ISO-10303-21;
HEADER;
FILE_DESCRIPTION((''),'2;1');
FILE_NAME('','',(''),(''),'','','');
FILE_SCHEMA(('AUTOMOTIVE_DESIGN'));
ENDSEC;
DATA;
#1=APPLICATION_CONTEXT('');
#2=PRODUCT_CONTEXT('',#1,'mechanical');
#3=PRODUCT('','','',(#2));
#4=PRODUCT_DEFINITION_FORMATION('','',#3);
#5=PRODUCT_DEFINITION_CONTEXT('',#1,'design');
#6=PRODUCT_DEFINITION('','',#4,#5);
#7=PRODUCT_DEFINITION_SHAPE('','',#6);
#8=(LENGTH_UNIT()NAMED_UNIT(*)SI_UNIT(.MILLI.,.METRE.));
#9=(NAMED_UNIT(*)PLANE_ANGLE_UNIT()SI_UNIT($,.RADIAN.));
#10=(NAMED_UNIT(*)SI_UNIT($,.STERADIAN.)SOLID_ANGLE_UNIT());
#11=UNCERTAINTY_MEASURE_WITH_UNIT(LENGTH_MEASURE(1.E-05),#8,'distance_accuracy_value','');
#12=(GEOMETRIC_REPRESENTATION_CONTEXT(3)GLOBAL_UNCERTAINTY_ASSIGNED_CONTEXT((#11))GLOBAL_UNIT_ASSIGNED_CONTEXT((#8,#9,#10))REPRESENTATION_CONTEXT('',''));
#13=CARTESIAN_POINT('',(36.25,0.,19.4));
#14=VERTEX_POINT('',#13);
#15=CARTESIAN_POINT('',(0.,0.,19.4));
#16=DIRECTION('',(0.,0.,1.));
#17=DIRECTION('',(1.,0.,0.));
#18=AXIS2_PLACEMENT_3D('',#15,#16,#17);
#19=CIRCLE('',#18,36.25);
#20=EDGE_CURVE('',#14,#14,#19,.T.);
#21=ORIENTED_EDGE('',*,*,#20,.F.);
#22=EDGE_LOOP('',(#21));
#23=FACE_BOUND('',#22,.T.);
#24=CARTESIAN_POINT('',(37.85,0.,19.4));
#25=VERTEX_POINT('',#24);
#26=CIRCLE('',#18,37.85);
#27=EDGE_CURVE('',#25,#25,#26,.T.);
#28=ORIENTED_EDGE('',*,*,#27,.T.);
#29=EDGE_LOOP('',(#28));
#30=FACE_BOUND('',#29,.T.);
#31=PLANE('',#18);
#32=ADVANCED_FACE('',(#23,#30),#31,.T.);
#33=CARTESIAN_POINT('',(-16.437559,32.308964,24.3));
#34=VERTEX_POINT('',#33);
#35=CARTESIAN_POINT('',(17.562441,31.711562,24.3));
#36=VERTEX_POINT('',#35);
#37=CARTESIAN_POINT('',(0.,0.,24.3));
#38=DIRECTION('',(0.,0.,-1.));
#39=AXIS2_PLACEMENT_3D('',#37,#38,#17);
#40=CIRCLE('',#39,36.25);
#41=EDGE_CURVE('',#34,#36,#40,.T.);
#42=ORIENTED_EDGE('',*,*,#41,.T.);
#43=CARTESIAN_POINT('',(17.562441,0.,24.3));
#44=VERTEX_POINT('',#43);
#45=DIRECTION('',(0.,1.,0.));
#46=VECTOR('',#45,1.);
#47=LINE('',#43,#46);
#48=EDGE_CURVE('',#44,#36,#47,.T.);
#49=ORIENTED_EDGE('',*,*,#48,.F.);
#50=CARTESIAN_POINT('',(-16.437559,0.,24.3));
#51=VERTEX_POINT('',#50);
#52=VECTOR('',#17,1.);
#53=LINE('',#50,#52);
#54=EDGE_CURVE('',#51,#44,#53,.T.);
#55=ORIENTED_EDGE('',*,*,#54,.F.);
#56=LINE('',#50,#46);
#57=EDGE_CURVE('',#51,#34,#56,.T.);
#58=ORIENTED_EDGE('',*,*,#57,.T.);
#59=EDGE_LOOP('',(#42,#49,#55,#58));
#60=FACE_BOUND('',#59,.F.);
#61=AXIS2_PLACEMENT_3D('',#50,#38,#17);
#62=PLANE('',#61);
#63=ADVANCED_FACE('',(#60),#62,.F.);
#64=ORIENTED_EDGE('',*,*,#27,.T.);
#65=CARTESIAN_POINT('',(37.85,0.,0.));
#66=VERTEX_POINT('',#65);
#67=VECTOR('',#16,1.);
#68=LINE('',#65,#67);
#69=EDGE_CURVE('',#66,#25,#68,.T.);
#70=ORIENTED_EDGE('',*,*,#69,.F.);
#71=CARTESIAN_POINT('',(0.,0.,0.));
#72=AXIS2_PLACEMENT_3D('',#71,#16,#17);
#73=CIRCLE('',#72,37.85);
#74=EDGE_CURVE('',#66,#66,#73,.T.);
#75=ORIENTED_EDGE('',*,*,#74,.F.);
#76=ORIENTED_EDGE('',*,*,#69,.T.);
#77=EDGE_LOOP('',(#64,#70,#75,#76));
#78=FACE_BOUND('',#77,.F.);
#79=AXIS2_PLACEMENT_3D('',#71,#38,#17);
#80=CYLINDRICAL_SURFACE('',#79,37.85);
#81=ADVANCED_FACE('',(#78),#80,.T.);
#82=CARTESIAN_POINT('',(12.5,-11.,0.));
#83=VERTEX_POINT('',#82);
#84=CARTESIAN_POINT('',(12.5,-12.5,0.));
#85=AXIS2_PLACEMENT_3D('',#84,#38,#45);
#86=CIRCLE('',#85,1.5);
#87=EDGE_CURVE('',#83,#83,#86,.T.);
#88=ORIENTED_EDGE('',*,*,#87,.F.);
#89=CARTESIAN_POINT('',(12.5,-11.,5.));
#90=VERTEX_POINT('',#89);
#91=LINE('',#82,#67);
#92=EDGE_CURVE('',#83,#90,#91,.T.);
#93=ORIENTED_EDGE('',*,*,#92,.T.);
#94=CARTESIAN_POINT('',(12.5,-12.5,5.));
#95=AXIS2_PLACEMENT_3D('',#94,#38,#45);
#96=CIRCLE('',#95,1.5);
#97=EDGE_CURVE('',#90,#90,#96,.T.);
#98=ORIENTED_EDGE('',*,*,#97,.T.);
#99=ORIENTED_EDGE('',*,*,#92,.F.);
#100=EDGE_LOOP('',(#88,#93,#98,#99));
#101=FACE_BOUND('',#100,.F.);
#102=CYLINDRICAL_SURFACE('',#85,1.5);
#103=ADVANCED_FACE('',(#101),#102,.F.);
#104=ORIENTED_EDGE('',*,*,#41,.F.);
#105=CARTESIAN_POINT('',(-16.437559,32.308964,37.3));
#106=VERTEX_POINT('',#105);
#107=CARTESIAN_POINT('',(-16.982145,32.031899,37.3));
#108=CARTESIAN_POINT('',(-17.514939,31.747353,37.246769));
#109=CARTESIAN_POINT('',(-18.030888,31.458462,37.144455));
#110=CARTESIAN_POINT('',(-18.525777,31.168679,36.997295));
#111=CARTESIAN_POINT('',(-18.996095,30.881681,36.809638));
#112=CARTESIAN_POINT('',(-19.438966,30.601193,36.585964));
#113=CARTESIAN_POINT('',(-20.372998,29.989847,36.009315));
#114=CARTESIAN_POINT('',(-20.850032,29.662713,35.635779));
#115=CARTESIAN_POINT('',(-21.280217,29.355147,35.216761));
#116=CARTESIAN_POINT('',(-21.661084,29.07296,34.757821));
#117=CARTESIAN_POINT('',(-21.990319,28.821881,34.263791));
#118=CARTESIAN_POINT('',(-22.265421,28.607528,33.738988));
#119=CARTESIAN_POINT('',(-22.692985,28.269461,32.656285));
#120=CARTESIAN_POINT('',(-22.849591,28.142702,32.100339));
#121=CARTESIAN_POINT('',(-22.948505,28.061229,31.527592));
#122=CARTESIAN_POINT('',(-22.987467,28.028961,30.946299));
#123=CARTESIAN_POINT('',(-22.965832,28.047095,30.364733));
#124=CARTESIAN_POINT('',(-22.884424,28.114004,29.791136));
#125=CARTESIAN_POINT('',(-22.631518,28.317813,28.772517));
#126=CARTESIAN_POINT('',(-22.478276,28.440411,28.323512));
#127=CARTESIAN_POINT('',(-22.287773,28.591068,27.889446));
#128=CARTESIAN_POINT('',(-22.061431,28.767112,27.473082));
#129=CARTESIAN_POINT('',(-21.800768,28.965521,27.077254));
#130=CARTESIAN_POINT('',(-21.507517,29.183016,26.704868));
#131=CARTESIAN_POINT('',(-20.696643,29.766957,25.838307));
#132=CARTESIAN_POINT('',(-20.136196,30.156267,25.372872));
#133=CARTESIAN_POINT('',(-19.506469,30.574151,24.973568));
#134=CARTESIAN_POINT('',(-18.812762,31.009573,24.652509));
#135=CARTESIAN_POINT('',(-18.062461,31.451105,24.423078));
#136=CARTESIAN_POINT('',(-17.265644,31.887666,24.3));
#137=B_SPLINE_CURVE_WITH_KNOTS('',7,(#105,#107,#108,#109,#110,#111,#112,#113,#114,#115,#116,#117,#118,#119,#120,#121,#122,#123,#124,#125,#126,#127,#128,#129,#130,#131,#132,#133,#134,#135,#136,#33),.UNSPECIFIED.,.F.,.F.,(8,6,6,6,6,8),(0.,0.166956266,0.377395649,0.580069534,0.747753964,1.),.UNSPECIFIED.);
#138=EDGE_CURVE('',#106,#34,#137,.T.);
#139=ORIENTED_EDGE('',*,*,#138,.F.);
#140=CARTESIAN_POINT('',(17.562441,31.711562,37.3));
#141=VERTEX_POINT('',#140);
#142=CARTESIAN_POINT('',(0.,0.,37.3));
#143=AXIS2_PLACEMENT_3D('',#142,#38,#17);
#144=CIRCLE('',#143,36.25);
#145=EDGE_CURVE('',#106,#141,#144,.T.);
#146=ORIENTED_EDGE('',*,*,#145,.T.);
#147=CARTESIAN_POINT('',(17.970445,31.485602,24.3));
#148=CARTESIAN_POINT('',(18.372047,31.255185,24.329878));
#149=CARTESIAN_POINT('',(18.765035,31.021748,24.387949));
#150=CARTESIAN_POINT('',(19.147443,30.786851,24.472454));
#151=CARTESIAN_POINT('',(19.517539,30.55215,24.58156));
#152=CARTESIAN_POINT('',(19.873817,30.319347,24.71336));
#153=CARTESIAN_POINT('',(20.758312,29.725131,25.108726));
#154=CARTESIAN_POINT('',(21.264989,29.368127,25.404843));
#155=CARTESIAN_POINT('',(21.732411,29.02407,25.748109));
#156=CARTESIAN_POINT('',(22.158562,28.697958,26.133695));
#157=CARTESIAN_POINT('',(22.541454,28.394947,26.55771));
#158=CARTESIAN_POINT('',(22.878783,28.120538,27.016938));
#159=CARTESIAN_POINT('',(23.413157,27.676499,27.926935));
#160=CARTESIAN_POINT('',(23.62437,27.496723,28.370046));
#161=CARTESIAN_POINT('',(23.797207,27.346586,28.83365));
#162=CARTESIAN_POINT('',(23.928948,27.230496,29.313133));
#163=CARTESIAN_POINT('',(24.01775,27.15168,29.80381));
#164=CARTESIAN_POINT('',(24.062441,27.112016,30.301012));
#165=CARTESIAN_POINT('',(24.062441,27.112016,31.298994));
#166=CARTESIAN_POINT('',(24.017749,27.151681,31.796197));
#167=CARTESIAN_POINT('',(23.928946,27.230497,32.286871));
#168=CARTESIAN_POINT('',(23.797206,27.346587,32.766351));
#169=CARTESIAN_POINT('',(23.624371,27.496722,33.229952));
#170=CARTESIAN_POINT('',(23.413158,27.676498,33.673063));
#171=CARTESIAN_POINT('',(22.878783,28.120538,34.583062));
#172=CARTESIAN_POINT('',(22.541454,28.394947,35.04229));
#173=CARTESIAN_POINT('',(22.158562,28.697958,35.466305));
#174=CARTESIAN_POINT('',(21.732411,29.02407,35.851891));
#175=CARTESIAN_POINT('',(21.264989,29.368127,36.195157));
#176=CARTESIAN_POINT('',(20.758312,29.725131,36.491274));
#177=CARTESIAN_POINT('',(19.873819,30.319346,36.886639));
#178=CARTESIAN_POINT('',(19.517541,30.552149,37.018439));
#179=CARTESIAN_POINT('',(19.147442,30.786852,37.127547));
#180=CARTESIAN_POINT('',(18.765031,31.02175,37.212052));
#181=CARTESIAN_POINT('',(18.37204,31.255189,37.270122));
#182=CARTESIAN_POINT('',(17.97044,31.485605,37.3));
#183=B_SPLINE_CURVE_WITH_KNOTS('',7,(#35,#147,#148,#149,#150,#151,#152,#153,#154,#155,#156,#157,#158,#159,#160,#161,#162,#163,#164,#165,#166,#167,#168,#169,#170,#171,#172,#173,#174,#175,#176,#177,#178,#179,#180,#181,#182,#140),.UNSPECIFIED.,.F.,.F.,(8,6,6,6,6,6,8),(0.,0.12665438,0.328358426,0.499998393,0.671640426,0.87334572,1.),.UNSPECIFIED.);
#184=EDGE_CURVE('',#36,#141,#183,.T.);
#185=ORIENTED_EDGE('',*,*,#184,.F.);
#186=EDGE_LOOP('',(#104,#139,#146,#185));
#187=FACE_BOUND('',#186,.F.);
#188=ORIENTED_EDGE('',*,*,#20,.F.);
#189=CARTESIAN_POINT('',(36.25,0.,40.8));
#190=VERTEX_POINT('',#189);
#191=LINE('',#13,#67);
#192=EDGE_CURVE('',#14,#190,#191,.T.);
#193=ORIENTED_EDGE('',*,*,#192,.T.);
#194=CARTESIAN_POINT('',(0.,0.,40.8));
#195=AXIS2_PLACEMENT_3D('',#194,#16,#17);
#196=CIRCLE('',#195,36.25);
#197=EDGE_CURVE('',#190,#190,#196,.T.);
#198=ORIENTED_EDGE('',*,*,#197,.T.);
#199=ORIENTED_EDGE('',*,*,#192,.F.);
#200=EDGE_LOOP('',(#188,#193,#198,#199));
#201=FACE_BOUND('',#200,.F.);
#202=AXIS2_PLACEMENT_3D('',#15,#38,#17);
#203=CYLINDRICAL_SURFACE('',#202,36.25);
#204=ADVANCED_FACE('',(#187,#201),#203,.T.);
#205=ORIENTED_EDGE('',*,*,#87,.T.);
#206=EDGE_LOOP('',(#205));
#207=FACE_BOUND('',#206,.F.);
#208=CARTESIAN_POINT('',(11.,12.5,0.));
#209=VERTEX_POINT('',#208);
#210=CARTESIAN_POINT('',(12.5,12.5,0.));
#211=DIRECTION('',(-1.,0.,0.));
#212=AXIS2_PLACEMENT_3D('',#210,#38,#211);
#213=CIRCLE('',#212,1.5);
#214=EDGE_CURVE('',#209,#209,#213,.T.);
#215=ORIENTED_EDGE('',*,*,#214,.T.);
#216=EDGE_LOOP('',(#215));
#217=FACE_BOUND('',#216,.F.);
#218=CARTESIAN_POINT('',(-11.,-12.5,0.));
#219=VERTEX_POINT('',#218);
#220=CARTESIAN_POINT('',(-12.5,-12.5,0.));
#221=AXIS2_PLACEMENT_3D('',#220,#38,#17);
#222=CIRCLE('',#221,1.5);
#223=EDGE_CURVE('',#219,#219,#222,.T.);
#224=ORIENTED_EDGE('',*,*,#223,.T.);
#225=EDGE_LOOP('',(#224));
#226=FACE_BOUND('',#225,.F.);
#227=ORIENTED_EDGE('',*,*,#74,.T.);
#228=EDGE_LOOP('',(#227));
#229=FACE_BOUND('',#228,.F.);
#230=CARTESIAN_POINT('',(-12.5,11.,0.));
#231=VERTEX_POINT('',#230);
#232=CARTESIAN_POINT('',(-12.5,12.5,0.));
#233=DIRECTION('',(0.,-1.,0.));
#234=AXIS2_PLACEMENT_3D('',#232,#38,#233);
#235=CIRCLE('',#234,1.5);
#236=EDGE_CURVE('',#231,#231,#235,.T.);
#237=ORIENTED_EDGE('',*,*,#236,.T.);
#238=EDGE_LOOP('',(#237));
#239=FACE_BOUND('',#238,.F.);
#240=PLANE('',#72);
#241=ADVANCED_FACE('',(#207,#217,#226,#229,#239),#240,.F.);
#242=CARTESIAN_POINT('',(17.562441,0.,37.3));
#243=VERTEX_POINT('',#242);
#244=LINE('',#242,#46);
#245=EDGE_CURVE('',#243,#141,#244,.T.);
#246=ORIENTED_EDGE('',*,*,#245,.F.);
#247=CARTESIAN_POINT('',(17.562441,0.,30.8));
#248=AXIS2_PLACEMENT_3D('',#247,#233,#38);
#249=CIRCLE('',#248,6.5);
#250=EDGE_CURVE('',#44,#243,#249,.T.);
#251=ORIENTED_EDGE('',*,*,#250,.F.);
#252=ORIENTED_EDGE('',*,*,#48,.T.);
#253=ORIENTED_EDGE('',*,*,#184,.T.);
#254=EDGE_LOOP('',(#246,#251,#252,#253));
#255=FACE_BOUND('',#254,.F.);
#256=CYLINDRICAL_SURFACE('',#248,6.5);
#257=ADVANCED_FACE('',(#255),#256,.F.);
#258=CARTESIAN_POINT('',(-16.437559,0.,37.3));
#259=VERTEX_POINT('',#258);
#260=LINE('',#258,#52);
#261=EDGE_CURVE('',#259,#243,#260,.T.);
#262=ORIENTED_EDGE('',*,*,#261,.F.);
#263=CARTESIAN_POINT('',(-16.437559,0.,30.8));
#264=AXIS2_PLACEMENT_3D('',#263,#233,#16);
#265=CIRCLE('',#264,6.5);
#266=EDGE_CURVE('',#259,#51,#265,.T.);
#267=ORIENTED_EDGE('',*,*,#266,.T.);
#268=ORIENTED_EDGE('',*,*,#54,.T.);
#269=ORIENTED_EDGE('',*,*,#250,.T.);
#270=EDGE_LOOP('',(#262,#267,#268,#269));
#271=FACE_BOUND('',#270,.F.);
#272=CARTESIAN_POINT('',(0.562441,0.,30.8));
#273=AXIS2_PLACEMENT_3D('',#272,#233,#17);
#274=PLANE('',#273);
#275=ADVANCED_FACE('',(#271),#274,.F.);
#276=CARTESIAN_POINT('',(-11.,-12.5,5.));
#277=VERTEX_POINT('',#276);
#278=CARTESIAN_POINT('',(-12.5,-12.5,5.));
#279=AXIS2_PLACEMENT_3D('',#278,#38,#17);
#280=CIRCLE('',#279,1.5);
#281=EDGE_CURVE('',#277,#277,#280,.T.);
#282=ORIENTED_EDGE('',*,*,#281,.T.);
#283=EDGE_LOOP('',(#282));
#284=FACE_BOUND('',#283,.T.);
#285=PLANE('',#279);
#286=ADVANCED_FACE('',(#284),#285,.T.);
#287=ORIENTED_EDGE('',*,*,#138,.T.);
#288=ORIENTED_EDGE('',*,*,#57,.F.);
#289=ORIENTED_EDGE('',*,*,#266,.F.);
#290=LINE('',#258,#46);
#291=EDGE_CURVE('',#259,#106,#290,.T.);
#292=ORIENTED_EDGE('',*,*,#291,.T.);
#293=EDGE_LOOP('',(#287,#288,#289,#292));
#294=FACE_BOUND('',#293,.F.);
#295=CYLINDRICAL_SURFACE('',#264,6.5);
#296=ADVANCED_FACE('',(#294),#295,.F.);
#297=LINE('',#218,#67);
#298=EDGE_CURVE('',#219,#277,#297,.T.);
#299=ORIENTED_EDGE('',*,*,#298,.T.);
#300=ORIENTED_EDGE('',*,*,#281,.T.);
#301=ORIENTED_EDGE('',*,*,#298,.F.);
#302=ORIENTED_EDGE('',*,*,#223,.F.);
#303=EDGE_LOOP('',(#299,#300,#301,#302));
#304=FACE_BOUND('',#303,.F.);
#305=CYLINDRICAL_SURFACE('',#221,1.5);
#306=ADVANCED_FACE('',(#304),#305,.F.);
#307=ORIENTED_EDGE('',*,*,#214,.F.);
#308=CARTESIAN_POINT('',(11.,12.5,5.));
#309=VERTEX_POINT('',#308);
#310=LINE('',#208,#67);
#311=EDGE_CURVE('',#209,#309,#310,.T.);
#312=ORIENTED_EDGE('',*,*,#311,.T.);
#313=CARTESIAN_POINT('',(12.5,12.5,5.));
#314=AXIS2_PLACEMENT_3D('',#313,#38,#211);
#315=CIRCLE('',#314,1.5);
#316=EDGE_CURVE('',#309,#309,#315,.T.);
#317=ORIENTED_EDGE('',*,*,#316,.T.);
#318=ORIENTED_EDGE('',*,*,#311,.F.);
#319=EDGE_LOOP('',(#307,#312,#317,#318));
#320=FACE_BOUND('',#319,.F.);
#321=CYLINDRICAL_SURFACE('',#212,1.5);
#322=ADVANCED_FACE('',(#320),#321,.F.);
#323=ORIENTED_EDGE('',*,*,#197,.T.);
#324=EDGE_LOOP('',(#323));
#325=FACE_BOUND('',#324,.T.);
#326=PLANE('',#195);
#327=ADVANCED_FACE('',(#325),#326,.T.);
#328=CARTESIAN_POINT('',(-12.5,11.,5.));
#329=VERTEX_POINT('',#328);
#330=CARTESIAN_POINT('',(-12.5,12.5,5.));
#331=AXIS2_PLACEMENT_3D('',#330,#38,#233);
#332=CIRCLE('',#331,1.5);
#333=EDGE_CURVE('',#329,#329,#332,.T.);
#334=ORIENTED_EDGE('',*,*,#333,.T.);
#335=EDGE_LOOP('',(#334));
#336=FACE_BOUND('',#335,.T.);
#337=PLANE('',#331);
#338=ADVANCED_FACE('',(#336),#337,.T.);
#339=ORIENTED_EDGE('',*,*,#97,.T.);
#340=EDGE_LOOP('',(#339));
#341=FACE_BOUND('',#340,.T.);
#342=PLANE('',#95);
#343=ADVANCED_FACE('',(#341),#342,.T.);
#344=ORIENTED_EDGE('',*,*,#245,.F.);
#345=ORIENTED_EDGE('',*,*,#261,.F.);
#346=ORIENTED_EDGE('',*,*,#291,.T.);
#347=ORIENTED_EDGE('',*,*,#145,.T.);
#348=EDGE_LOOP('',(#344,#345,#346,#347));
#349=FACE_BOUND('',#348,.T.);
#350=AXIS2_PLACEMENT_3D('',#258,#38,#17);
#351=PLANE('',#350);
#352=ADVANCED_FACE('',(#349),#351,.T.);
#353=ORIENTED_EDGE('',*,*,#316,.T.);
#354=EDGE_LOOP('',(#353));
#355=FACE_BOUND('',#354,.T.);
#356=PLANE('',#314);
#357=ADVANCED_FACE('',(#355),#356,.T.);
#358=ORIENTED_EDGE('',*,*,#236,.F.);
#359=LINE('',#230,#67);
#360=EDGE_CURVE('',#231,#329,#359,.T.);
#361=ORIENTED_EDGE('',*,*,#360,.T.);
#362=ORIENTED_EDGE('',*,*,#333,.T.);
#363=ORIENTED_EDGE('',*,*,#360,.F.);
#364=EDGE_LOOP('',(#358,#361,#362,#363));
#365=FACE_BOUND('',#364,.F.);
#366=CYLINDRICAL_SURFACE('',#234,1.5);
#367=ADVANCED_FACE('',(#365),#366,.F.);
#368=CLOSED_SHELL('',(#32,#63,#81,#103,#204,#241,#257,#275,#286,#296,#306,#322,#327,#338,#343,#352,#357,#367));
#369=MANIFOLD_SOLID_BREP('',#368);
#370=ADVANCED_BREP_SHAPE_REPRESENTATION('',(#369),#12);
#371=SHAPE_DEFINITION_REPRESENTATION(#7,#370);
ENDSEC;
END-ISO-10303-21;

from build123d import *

# Parameters (mm, degrees)
SKETCH_R           = 37.85
PAD_DEPTH          = 19.4
SKETCH001_R        = 36.25
PAD001_DEPTH       = 21.4
POCKET_DEPTH       = 50
SKETCH003_R        = 1.5
POCKET001_DEPTH    = 5
POLARPATTERN_COUNT = 4


with BuildPart() as part:
    # Sketch → Pad (new body)
    with BuildSketch(Plane.XY):
        Circle(SKETCH_R)
    extrude(amount=PAD_DEPTH)

    # Sketch001 (on Face3 of Pad) → Pad001 (join)
    with BuildSketch(Plane.XY.offset(19.4)):
        Circle(SKETCH001_R)
    extrude(amount=PAD001_DEPTH)

    # Sketch002 → Pocket (cut)
    with BuildSketch(Plane.XZ):
        with BuildLine():
            ThreePointArc((-16.437559, 37.3), (-22.937559, 30.8), (-16.437559, 24.3))
            Line((-16.437559, 24.3), (17.562441, 24.3))
            ThreePointArc((17.562441, 24.3), (24.062441, 30.8), (17.562441, 37.3))
            Line((-16.437559, 37.3), (17.562441, 37.3))
        make_face()
    extrude(amount=-POCKET_DEPTH, mode=Mode.SUBTRACT)

    # Sketch003 (on Face2 of Pocket) → Pocket001 (cut)
    with BuildSketch(Plane(origin=(0, 0, 0), x_dir=(1, 0, 0), z_dir=(0, 0, -1))):
        with Locations((-12.5, 12.5)):
            Circle(SKETCH003_R)
    pocket001 = extrude(amount=-POCKET001_DEPTH, mode=Mode.SUBTRACT)

    # PolarPattern: Pocket001 ×4 about axis
    polarpattern_axis = Axis((0, 0, 0), (0, 0, -1))
    for i in range(1, POLARPATTERN_COUNT):
        add(pocket001.rotate(polarpattern_axis, i * 360 / POLARPATTERN_COUNT), mode=Mode.SUBTRACT)


solid = part.part
